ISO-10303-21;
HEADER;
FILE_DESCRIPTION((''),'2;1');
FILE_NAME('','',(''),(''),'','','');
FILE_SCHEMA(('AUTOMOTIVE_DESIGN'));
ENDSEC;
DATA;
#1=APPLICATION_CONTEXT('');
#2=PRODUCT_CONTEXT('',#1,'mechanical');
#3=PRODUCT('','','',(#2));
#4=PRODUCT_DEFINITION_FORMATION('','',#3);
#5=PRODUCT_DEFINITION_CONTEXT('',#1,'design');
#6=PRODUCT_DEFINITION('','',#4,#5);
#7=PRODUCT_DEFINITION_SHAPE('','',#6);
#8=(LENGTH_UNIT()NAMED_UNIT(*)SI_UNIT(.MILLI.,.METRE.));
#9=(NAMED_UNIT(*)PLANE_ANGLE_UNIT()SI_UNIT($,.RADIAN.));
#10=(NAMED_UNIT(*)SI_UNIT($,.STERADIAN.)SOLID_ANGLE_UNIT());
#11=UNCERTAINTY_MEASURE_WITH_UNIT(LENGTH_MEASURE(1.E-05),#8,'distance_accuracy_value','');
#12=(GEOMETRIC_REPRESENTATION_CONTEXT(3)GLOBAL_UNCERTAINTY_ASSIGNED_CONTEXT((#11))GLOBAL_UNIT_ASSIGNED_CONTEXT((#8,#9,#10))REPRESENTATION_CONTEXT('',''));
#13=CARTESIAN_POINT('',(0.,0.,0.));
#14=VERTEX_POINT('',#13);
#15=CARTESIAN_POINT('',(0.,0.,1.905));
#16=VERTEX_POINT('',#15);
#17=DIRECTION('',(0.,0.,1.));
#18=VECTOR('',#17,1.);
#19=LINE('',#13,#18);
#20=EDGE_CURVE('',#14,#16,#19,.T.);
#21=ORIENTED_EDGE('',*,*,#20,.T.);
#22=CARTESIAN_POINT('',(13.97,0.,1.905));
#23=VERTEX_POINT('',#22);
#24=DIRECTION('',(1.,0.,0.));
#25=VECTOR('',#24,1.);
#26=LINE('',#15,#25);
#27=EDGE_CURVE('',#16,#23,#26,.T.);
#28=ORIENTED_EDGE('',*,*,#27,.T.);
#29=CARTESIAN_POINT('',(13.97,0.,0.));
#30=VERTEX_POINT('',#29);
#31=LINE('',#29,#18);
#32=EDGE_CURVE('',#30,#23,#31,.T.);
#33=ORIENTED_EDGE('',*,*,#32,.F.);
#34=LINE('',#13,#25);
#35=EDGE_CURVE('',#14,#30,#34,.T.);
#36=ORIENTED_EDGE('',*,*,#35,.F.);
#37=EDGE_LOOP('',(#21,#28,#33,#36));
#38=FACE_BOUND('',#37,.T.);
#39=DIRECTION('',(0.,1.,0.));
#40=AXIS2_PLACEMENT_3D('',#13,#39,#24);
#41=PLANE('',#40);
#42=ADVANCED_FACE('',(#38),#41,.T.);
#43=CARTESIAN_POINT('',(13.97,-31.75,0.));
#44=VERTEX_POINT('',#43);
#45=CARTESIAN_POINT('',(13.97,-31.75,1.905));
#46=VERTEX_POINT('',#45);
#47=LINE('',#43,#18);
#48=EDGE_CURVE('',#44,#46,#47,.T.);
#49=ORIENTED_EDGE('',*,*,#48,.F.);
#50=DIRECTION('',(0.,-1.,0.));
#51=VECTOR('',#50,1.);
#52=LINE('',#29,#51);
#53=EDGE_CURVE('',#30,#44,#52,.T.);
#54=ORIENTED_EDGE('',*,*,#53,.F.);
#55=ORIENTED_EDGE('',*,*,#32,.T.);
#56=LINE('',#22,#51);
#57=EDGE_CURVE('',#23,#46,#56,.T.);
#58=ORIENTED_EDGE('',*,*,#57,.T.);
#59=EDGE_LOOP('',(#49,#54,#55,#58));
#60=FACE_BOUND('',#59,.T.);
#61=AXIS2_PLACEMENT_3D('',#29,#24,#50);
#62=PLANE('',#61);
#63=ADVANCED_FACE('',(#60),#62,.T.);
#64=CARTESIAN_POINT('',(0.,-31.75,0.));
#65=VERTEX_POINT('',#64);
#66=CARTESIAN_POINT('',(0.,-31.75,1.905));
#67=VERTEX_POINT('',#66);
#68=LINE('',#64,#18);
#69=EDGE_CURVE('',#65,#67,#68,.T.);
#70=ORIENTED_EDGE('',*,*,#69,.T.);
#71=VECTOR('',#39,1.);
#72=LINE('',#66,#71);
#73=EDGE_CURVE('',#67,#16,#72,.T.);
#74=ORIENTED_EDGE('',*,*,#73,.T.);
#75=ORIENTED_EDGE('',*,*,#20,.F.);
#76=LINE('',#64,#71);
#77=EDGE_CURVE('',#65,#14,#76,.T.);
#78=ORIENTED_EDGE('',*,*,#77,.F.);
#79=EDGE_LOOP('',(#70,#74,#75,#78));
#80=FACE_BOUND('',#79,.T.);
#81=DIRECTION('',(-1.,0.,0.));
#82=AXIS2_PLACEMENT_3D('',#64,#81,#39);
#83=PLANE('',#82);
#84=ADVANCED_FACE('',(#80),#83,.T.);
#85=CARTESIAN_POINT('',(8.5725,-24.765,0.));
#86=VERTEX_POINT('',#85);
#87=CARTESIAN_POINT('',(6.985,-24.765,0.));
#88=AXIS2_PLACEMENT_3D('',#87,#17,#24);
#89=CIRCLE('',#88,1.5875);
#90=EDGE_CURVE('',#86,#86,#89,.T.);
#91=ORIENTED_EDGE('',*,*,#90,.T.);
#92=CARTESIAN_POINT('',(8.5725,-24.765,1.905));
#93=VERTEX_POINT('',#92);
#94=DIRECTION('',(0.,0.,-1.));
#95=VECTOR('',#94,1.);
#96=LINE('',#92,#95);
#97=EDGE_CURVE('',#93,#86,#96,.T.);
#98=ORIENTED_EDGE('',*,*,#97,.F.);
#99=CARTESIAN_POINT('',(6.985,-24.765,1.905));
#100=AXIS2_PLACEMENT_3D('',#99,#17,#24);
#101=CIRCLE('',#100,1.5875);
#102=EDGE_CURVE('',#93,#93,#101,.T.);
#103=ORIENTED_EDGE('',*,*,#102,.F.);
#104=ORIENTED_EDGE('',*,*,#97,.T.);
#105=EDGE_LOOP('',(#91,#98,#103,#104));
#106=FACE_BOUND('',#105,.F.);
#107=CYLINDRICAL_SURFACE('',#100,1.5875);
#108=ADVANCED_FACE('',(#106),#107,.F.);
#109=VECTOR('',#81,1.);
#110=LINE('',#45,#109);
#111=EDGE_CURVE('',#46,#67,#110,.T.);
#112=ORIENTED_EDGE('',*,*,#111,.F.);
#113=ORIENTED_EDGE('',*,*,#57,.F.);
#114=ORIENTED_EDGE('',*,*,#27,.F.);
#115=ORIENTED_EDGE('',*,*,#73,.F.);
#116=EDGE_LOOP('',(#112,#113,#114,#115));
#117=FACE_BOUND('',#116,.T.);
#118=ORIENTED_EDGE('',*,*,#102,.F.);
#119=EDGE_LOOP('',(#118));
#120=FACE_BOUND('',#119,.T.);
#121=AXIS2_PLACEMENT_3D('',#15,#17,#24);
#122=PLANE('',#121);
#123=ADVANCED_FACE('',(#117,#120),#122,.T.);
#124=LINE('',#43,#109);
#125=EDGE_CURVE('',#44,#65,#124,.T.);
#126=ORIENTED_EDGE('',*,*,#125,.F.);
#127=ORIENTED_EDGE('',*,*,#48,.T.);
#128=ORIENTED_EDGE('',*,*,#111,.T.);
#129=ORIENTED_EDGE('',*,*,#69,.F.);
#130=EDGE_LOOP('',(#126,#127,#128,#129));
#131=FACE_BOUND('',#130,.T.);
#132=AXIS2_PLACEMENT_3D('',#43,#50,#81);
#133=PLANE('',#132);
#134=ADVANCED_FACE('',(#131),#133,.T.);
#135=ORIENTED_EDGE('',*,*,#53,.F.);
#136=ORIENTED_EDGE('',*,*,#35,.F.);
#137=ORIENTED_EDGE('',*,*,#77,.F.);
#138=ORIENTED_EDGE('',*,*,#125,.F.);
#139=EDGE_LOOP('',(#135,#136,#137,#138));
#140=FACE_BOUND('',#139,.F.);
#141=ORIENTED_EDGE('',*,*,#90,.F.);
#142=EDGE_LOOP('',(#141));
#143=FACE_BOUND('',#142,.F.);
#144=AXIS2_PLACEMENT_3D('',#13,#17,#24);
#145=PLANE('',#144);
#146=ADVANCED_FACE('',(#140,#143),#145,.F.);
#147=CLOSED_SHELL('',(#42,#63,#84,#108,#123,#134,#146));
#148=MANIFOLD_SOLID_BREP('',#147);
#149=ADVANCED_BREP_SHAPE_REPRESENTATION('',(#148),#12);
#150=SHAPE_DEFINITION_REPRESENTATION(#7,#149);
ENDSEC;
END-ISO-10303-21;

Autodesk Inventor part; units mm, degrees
ref_plane "YZ Plane" through (0, 0, 0) normal (1, 0, 0) x (0, 1, 0)
ref_plane "XZ Plane" through (0, 0, 0) normal (0, 1, 0) x (-1, 0, 0)
ref_plane "XY Plane" through (0, 0, 0) normal (0, 0, 1) x (1, 0, 0)
sketch "Sketch1" plane through (0, 0, 0) normal (0, 0, 1) x (1, 0, 0)
  line L0 (0, 0) -> (13.97, 0)
  line L1 (13.97, 0) -> (13.97, -31.75)
  line L2 (13.97, -31.75) -> (0, -31.75)
  line L3 (0, -31.75) -> (0, 0)
  dimension "d0" = 13.97
  dimension "d1" = 31.75
extrude "Extrusion1" add sketch "Sketch1" along normal blind 1.905
sketch "Sketch2" plane through (0, 0, 1.905) normal (0, 0, 1) x (1, 0, 0)
  circle A0 centre (6.985, -24.765) radius 1.5875
  line L0 (13.97, -31.75) -> (13.97, 0) projected
  line L1 (0, -31.75) -> (13.97, -31.75) projected
  point P0 (0, 0)
  dimension "d4" = 3.175
  dimension "d5" = 6.985
  dimension "d6" = 6.985
extrude "Extrusion2" cut sketch "Sketch2" against normal blind 1.905
properties part number "IRBoard" material "Thermoplastic Resin"
